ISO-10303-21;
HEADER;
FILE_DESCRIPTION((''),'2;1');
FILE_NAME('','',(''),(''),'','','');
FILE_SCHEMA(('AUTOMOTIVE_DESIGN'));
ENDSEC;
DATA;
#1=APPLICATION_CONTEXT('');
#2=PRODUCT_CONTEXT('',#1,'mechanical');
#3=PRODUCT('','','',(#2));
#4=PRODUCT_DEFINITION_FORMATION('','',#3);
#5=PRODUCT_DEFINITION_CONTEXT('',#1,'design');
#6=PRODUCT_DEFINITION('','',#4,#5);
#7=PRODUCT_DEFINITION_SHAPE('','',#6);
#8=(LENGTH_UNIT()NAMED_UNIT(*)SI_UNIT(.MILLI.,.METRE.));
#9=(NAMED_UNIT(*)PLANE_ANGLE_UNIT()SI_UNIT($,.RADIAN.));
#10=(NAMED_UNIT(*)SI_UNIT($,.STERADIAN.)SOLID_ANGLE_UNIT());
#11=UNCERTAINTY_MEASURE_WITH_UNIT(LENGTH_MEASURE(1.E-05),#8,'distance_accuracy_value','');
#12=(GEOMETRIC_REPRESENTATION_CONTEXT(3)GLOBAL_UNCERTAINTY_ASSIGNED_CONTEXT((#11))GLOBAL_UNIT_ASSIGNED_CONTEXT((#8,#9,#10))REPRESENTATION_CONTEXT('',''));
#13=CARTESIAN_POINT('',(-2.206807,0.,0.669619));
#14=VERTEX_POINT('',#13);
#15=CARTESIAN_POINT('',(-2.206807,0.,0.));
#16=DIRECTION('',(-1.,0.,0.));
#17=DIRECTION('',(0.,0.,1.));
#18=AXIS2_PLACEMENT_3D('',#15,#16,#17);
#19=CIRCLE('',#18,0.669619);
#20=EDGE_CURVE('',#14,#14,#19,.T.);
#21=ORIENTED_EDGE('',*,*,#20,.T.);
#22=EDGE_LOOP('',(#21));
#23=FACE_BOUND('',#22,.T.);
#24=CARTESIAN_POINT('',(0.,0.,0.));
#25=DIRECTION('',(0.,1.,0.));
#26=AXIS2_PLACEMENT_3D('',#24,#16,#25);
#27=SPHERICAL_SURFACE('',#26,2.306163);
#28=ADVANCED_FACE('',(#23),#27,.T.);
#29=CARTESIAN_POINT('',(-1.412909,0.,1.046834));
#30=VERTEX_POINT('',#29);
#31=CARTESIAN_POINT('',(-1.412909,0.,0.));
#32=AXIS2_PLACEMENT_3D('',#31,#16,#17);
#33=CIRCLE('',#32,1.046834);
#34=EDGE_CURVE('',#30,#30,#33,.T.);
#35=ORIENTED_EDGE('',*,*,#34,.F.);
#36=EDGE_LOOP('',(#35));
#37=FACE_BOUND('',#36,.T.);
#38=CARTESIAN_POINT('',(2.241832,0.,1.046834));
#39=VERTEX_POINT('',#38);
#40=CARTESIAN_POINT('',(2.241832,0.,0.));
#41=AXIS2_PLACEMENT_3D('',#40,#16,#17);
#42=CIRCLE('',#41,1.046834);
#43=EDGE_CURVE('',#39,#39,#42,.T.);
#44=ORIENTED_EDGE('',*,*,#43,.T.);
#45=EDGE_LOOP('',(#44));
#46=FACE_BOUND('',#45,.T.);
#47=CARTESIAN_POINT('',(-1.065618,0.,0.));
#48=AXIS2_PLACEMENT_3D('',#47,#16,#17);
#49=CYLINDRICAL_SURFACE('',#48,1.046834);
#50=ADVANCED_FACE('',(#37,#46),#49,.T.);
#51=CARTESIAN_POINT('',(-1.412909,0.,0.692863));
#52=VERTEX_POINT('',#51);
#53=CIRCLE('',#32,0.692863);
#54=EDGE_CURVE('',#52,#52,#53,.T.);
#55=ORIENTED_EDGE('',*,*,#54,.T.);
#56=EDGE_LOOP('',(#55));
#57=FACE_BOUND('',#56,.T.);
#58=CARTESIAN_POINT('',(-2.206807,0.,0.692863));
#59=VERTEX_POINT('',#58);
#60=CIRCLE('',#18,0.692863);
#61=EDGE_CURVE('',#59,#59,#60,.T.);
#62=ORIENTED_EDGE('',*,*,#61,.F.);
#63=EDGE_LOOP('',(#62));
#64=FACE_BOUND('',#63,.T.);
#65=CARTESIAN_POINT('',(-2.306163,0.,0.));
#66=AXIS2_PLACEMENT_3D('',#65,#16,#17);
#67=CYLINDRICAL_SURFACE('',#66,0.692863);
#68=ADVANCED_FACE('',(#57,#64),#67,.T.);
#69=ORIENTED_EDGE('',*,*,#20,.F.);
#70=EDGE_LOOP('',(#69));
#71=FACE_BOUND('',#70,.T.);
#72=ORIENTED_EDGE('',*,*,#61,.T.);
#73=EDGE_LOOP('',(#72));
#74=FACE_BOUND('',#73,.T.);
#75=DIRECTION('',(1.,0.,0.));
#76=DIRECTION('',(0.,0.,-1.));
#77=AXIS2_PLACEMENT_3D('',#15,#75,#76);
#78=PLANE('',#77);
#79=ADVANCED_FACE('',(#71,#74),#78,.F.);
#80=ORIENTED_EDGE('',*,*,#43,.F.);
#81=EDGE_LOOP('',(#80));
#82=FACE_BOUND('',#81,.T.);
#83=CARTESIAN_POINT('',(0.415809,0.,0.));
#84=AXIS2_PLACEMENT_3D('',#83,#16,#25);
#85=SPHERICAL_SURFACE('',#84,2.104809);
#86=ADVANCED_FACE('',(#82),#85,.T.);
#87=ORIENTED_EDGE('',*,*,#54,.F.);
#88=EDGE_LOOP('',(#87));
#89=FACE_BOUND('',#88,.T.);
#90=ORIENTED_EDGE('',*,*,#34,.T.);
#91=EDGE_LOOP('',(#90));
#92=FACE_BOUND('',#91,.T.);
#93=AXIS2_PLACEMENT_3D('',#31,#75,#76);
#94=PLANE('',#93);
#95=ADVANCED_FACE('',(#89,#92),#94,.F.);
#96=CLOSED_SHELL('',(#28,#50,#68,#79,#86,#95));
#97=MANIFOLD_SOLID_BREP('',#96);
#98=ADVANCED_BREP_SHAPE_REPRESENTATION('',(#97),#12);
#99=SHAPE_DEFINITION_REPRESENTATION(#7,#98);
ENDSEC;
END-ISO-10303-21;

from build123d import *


with BuildPart() as part:
    # 草图2 → 旋转3 (revolve)
    with BuildSketch(Plane.XY):
        with BuildLine():
            ThreePointArc((-1.412908835, 0.692863), (-1.157300658, 0.387514536), (-1.065618, 0))
            Line((-1.065618, 0), (2.520618, 0))
            ThreePointArc((2.520618, 0), (2.449727667, 0.54166021), (2.241831865, 1.046834))
            Line((2.241831865, 1.046834), (-1.412908835, 1.046834))
            Line((-1.412908835, 1.046834), (-1.412908835, 0.692863))
        make_face()
    revolve(axis=Axis((-1.065618, 0, 0), (1, 0, 0)))

    # 草图3 → 旋转5 (revolve)
    with BuildSketch(Plane.XY, mode=Mode.PRIVATE) as revolve_5_sk:
        with BuildLine():
            Line((-2.306163, 0), (-1.065618, 0))
            ThreePointArc((-1.065618, 0), (-1.157300658, 0.387514536), (-1.412908835, 0.692863))
            Line((-1.412908835, 0.692863), (-2.206807236, 0.692863))
            Line((-2.206807236, 0.692863), (-2.206807236, 0.669619))
            ThreePointArc((-2.206807236, 0.669619), (-2.281188832, 0.338474952), (-2.306163, 0))
        make_face()
    revolve(revolve_5_sk.sketch.rotate(Axis((-2.306163, 0, 0), (1, 0, 0)), 90), axis=Axis((-2.306163, 0, 0), (1, 0, 0)))


solid = part.part
